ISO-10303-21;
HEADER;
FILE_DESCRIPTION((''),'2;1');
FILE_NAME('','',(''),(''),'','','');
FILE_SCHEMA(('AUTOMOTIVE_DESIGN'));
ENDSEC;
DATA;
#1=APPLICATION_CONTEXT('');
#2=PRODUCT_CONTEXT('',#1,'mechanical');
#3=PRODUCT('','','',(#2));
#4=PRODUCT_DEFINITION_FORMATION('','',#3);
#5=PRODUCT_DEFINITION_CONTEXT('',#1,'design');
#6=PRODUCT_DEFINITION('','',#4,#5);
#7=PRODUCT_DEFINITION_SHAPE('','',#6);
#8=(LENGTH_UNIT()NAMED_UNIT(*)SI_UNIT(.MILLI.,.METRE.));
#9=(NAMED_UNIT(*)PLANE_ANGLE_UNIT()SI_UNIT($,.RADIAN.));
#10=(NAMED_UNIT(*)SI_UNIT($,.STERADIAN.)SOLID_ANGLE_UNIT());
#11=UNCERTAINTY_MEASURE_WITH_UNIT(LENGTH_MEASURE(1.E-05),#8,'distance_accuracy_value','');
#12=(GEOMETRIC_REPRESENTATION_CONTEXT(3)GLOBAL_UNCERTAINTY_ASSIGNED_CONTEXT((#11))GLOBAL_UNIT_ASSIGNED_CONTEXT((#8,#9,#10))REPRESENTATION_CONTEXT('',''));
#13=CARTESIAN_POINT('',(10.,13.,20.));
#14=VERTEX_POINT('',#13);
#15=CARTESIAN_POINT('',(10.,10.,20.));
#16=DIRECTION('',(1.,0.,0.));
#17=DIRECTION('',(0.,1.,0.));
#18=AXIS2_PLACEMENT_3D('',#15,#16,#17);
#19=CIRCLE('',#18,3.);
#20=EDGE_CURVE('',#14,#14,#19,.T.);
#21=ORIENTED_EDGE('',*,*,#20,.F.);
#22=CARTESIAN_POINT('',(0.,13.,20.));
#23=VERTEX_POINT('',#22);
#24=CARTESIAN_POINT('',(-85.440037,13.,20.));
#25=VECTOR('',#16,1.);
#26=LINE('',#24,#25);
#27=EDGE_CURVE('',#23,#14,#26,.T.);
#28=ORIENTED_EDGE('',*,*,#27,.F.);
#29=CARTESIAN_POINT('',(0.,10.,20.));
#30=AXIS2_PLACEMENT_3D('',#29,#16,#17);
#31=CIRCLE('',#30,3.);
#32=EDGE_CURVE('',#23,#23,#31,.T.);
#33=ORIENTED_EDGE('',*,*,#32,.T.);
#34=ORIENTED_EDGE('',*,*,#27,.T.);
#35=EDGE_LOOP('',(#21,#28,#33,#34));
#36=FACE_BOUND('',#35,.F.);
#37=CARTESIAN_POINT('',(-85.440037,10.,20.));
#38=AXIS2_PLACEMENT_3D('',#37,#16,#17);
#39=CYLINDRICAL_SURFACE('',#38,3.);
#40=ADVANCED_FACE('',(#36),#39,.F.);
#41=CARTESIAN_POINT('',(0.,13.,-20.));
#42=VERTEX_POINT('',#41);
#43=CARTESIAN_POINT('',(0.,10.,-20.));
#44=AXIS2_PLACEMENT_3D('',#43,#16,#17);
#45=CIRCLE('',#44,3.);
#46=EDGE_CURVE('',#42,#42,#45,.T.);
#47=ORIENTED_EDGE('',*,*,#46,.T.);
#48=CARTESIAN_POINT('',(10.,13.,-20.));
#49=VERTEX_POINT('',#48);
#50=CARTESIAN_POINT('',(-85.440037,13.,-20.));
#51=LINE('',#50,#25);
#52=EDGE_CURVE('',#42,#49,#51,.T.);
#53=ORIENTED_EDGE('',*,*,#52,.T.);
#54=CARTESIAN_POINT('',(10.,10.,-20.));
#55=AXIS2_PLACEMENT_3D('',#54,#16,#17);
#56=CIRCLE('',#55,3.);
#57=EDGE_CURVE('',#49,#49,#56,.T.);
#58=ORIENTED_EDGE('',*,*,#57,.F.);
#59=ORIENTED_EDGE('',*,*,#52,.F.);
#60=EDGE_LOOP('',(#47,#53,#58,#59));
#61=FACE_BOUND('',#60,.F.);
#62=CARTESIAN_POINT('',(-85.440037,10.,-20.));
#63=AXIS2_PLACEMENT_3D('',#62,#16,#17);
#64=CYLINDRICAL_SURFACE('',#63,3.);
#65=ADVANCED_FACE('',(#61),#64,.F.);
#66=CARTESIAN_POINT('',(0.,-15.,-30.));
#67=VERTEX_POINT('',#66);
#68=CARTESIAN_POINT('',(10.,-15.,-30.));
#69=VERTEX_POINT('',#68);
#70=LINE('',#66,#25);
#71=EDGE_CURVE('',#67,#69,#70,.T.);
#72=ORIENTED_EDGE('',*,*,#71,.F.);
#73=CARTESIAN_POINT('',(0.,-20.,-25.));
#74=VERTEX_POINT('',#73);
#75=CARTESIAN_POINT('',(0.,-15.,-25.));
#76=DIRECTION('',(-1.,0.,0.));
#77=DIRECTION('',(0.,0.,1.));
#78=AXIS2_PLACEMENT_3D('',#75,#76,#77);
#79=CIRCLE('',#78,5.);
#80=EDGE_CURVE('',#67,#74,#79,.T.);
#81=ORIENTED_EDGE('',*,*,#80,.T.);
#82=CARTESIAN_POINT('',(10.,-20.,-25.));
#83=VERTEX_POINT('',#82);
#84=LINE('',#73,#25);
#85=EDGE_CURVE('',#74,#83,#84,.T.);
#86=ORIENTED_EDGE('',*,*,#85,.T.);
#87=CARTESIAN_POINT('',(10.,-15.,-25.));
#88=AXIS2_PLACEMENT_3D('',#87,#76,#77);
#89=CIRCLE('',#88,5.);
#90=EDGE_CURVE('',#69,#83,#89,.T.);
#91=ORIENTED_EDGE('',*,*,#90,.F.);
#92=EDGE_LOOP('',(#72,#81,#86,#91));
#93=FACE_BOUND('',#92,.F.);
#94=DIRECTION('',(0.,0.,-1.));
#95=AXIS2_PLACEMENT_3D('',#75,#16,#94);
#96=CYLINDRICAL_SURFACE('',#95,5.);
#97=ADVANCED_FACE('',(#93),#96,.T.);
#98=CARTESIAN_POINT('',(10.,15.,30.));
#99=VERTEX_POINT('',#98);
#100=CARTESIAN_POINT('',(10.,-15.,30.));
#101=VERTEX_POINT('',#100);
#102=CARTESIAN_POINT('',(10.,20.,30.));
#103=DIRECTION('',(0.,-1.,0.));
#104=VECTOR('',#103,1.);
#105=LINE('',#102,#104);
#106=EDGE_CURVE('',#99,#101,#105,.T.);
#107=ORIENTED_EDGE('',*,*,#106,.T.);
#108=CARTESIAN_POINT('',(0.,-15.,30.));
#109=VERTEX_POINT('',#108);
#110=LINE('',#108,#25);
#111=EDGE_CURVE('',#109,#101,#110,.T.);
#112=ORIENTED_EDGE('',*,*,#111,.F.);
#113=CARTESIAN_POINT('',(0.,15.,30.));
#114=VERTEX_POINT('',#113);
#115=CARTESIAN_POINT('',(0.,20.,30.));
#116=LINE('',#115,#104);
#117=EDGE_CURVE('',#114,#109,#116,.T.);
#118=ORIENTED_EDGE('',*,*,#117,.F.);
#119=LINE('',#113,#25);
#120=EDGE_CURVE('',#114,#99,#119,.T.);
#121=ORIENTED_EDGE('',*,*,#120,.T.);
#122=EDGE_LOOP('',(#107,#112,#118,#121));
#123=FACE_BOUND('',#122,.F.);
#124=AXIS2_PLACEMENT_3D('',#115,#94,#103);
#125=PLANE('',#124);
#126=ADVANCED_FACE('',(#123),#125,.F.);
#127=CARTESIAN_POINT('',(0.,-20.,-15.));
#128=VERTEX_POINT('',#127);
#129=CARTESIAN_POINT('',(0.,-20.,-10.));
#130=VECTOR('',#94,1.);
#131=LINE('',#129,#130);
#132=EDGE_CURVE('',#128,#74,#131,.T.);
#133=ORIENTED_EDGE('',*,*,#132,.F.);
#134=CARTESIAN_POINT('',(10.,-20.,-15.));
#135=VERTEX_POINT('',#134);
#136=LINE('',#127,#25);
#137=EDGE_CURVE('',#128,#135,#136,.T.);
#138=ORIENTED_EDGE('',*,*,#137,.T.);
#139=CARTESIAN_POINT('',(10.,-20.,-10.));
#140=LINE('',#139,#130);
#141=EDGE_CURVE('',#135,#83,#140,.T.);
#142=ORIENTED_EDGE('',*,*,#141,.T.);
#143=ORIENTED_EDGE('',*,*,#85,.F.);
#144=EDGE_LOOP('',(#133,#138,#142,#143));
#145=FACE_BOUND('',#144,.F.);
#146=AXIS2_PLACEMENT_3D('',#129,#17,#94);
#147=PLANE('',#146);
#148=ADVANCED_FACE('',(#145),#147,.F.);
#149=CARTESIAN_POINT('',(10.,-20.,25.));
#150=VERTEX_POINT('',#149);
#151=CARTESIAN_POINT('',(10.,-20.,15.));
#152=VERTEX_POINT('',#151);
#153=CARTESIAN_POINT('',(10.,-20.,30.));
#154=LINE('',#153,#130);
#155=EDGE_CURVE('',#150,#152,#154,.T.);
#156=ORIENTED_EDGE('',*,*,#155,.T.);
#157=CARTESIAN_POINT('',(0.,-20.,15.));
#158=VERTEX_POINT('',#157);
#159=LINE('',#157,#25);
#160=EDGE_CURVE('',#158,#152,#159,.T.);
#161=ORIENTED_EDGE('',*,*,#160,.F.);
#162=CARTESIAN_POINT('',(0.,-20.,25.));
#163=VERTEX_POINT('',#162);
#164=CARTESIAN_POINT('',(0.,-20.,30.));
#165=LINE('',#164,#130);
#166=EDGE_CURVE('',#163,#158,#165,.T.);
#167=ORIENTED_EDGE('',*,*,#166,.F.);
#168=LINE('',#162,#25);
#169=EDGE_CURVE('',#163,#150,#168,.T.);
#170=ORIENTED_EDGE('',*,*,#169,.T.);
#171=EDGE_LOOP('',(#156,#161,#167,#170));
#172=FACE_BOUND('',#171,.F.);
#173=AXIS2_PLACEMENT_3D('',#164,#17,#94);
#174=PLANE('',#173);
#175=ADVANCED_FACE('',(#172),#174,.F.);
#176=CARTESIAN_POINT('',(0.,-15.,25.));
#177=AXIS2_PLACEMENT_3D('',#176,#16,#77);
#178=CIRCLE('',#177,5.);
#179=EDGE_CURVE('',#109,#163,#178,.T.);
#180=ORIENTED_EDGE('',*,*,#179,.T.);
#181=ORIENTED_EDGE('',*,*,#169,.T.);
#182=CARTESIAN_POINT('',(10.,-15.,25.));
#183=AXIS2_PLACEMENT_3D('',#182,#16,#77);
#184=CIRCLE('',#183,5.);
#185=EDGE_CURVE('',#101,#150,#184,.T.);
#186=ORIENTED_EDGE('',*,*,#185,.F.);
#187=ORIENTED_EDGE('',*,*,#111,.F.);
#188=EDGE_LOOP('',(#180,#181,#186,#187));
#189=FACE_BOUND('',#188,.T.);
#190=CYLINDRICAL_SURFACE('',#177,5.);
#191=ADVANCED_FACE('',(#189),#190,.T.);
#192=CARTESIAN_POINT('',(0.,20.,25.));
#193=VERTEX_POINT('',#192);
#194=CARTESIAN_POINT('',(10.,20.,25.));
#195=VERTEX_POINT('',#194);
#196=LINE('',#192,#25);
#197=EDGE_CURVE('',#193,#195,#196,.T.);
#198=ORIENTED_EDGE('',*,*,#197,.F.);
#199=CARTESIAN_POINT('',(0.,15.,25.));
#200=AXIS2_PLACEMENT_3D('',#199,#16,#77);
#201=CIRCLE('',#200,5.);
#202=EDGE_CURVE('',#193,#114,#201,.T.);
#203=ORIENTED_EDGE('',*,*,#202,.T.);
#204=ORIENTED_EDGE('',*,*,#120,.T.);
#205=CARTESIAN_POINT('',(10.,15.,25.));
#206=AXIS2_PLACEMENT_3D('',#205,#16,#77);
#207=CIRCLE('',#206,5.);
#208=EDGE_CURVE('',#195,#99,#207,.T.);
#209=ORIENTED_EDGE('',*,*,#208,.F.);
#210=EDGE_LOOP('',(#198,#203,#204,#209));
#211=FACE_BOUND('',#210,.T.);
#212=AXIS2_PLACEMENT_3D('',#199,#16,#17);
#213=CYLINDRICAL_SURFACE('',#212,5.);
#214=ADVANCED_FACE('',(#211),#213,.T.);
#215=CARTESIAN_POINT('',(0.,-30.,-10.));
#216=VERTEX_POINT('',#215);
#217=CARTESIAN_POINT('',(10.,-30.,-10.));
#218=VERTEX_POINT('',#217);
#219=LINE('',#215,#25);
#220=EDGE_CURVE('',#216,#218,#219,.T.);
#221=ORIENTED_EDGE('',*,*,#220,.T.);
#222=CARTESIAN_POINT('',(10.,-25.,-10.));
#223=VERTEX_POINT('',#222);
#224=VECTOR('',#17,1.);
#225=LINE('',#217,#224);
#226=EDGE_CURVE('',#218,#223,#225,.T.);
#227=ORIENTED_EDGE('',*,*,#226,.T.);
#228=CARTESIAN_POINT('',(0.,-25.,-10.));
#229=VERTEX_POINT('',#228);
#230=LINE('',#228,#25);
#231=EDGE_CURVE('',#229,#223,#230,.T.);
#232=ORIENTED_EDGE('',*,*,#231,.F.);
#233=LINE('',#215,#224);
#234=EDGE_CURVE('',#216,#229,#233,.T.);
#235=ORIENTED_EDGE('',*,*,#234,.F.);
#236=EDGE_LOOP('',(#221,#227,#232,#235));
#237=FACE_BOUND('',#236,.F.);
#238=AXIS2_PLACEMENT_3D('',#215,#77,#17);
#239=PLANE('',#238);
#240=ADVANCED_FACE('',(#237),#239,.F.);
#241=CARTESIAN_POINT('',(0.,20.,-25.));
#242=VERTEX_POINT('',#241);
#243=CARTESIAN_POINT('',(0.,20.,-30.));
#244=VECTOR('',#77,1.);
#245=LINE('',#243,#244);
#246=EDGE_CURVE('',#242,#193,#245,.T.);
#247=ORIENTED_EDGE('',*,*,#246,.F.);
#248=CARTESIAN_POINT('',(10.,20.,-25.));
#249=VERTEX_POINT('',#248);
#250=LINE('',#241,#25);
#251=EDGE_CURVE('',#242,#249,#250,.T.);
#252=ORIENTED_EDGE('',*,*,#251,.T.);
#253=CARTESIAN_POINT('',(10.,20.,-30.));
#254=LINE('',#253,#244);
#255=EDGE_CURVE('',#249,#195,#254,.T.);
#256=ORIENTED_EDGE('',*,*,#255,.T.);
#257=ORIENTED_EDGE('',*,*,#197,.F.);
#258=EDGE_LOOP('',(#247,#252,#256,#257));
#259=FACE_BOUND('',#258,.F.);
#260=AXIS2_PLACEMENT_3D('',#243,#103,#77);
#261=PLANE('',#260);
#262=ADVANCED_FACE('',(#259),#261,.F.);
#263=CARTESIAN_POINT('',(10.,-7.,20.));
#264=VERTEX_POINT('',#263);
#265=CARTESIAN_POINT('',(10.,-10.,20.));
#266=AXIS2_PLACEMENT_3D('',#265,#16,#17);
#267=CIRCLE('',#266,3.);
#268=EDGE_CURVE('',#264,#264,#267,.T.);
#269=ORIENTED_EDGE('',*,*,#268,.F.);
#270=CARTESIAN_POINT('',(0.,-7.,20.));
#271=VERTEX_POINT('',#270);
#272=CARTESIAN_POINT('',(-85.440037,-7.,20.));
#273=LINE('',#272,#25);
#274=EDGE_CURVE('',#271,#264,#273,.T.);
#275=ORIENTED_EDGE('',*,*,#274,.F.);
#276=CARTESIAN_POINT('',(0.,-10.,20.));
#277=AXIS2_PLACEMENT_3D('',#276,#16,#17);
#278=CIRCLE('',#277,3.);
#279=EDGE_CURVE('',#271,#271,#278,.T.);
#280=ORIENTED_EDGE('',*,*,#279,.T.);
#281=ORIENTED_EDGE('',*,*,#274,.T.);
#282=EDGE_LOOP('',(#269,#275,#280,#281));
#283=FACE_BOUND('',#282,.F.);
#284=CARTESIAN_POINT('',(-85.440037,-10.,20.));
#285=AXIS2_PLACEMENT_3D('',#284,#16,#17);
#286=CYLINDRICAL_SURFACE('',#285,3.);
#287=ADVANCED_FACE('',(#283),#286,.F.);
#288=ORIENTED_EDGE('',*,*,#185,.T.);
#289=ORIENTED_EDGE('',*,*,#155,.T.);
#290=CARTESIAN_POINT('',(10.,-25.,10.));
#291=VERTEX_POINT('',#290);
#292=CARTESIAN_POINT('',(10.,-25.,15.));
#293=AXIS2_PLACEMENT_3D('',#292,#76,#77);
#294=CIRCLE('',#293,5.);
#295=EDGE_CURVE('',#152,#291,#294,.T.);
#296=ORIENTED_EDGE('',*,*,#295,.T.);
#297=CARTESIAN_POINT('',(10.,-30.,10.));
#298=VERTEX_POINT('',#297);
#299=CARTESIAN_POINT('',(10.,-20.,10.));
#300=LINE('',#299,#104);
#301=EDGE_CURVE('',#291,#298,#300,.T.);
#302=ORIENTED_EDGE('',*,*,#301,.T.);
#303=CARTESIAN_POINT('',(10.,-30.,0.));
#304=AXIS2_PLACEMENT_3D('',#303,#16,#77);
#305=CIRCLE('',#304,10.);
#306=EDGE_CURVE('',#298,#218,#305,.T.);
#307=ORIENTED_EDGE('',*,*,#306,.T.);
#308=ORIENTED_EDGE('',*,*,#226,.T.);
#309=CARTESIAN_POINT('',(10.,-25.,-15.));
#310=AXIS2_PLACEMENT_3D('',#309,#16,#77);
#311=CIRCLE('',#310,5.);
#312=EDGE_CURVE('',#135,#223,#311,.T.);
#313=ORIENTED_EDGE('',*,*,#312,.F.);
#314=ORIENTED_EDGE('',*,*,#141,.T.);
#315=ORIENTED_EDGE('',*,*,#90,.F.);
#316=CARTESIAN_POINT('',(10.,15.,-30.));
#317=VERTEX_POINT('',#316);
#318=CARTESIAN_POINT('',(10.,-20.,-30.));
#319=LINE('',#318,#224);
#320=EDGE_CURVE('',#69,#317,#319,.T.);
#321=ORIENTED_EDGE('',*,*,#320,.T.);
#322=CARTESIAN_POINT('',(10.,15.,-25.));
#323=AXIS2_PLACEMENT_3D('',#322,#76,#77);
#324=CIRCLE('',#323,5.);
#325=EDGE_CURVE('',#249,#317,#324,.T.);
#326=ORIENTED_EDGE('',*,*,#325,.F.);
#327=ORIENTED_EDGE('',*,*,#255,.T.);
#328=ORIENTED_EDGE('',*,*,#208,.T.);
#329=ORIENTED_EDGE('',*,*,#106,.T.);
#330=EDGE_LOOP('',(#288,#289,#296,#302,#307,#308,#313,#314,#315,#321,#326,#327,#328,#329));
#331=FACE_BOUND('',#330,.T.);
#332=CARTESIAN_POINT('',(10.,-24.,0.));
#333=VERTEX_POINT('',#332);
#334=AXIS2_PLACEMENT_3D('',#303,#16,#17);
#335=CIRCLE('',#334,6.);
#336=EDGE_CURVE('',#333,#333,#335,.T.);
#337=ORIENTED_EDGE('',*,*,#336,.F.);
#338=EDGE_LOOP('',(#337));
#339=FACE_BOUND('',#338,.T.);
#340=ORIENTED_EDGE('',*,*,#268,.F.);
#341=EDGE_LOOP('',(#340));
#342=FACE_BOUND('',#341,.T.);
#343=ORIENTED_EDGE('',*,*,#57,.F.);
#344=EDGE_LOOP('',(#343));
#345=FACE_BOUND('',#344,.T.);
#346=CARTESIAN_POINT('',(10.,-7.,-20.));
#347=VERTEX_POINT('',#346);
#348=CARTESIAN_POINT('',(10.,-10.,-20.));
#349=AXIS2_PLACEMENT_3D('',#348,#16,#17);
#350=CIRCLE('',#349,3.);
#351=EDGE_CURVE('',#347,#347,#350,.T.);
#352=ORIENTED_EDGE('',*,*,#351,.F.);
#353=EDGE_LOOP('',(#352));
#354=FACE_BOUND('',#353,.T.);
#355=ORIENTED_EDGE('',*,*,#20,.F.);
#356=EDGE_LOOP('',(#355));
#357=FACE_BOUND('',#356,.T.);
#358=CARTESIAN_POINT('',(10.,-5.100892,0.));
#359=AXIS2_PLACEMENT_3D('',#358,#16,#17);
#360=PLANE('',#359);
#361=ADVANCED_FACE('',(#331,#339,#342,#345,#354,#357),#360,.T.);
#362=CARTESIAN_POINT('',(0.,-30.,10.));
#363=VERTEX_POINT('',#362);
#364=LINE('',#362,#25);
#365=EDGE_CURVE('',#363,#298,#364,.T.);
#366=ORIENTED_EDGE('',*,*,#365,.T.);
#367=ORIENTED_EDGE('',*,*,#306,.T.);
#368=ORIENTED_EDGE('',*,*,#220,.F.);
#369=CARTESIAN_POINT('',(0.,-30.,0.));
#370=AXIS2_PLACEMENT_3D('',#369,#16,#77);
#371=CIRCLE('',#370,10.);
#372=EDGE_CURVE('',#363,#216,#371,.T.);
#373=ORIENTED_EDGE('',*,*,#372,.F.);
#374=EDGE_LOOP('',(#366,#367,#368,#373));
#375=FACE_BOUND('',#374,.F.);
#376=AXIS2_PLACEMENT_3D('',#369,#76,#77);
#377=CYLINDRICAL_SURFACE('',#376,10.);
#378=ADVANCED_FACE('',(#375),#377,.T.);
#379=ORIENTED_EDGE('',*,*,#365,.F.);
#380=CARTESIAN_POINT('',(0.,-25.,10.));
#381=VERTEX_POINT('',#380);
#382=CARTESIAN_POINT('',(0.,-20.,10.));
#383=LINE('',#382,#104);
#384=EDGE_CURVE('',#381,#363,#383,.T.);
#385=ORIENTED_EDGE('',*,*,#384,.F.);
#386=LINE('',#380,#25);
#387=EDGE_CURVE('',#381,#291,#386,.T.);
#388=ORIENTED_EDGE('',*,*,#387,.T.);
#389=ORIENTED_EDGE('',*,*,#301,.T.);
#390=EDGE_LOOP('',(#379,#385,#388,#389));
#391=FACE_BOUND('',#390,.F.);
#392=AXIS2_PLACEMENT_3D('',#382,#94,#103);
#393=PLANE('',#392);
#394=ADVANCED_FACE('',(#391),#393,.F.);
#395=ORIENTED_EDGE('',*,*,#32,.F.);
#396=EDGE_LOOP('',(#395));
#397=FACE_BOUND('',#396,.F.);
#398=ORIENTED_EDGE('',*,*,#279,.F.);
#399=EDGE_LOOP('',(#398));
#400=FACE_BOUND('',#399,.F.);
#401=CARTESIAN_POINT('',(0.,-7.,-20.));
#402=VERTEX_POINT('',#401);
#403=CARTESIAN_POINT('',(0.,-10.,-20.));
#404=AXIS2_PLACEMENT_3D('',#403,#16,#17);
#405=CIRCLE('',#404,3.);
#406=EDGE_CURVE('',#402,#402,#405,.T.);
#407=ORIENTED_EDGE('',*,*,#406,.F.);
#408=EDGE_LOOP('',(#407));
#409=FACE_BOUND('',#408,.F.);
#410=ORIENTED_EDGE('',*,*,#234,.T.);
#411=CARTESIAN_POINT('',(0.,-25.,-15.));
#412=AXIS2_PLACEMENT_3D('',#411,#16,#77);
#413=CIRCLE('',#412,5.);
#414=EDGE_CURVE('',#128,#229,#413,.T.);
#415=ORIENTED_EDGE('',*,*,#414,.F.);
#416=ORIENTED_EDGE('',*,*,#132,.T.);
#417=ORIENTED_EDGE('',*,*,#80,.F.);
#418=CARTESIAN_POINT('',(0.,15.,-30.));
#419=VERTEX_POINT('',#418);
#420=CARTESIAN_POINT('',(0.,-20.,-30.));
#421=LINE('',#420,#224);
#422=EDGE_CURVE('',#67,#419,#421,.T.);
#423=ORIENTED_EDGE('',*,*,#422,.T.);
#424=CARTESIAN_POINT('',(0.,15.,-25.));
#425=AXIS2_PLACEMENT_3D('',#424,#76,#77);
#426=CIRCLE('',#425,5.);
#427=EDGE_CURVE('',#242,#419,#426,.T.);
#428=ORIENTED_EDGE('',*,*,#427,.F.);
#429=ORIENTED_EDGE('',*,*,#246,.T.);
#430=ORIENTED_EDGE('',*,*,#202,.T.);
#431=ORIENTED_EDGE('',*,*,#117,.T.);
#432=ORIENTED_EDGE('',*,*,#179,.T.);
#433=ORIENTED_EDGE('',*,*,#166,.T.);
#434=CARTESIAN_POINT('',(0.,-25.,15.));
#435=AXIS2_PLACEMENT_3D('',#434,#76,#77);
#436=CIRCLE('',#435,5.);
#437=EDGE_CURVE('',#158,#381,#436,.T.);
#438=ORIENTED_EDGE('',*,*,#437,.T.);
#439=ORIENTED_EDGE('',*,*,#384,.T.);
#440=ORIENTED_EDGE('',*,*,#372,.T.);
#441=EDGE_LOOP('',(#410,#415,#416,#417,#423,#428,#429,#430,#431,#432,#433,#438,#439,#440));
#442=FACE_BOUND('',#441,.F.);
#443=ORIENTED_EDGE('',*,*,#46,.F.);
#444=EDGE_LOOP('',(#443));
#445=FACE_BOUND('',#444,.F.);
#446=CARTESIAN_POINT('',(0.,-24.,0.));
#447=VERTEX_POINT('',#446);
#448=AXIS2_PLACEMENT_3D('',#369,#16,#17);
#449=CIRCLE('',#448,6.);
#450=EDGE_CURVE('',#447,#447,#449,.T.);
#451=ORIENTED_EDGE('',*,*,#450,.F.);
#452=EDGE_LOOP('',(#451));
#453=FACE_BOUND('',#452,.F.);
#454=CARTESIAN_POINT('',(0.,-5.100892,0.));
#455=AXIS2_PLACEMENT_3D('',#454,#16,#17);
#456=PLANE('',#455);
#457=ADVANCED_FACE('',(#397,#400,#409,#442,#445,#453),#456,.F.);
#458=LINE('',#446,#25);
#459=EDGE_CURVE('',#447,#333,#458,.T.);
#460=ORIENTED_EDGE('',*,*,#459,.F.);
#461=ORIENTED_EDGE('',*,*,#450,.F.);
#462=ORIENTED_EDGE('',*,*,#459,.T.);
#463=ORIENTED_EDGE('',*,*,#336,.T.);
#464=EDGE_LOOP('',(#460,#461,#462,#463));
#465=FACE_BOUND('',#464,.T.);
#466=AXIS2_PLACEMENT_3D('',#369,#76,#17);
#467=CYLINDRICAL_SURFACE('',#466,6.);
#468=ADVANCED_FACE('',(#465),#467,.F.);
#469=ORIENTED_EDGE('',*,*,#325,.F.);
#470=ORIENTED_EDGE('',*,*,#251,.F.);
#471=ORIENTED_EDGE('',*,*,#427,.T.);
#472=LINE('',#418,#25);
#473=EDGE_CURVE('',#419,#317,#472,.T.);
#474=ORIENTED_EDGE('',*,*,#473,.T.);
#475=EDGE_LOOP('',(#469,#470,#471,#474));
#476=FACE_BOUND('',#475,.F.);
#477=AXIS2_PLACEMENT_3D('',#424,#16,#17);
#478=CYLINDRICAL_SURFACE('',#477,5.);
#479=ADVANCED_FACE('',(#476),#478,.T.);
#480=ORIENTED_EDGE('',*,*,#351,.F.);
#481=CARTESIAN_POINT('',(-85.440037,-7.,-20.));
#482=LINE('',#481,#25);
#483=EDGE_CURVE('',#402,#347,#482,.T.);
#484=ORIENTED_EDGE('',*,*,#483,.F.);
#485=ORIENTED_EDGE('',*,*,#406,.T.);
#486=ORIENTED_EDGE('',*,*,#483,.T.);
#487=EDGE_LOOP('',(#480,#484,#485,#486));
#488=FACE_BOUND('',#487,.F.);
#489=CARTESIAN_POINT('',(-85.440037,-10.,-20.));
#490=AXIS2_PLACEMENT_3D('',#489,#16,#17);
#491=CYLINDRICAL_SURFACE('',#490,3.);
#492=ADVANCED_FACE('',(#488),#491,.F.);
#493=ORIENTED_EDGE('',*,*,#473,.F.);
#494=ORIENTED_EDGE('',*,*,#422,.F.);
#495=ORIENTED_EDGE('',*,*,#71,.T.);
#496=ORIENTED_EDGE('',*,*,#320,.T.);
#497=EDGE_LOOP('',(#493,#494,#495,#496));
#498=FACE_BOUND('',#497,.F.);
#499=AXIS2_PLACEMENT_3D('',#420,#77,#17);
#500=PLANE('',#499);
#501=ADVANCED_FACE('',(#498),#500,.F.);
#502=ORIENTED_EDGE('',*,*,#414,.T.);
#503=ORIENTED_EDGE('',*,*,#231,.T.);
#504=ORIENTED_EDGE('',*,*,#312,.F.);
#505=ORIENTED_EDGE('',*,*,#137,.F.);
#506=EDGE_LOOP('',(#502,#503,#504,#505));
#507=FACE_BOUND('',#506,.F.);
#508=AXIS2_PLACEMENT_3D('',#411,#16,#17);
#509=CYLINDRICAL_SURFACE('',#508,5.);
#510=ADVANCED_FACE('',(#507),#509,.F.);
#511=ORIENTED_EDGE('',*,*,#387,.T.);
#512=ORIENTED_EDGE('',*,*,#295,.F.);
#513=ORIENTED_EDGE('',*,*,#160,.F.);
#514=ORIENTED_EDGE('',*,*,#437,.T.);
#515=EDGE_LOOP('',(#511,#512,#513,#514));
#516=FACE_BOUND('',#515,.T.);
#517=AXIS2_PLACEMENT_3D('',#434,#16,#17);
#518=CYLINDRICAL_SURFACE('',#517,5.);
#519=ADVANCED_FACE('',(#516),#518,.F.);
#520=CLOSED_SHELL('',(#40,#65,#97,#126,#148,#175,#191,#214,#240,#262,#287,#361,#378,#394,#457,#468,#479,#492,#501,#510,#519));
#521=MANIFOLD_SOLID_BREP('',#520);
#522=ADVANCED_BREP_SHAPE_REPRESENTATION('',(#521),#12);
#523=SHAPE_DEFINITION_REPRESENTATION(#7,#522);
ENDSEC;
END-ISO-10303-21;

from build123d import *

# Parameters (mm, degrees)
F0_R     = 6
F1_DEPTH = 10
F2_R     = 5
F4_D     = 6
F5_D     = 6


with BuildPart() as f1:
    # F0 (on Right) → F1 (new body)
    with BuildSketch(Plane.YZ):
        with BuildLine():
            Line((20, -30), (20, 30))
            Line((20, 30), (-20, 30))
            Line((-20, 30), (-20, 10))
            Line((-20, 10), (-30, 10))
            ThreePointArc((-30, 10), (-40, 0), (-30, -10))
            Line((-30, -10), (-20, -10))
            Line((-20, -10), (-20, -30))
            Line((-20, -30), (20, -30))
        make_face()
        with Locations((-30, 0)):
            Circle(F0_R, mode=Mode.SUBTRACT)
    extrude(amount=F1_DEPTH)

    # F2
    f2_edges = [f1.edges().sort_by_distance(p)[0] for p in [
        (5, 20, 30),
        (5, 20, -30),
        (5, -20, 30),
        (5, -20, -30),
        (5, -20, -10),
        (5, -20, 10),
    ]]
    fillet(f2_edges, radius=F2_R)

    # F4 (through all)
    with Locations(Plane(origin=(0, 0, 0), x_dir=(0, -1, 0), z_dir=(-1, 0, 0))):
        with Locations((-10, -20), (10, -20)):
            Hole(F4_D / 2)

    # F5 (through all)
    with Locations(Plane(origin=(0, 0, 0), x_dir=(0, -1, 0), z_dir=(-1, 0, 0))):
        with Locations((10, 20), (-10, 20)):
            Hole(F5_D / 2)


solid = f1.part
